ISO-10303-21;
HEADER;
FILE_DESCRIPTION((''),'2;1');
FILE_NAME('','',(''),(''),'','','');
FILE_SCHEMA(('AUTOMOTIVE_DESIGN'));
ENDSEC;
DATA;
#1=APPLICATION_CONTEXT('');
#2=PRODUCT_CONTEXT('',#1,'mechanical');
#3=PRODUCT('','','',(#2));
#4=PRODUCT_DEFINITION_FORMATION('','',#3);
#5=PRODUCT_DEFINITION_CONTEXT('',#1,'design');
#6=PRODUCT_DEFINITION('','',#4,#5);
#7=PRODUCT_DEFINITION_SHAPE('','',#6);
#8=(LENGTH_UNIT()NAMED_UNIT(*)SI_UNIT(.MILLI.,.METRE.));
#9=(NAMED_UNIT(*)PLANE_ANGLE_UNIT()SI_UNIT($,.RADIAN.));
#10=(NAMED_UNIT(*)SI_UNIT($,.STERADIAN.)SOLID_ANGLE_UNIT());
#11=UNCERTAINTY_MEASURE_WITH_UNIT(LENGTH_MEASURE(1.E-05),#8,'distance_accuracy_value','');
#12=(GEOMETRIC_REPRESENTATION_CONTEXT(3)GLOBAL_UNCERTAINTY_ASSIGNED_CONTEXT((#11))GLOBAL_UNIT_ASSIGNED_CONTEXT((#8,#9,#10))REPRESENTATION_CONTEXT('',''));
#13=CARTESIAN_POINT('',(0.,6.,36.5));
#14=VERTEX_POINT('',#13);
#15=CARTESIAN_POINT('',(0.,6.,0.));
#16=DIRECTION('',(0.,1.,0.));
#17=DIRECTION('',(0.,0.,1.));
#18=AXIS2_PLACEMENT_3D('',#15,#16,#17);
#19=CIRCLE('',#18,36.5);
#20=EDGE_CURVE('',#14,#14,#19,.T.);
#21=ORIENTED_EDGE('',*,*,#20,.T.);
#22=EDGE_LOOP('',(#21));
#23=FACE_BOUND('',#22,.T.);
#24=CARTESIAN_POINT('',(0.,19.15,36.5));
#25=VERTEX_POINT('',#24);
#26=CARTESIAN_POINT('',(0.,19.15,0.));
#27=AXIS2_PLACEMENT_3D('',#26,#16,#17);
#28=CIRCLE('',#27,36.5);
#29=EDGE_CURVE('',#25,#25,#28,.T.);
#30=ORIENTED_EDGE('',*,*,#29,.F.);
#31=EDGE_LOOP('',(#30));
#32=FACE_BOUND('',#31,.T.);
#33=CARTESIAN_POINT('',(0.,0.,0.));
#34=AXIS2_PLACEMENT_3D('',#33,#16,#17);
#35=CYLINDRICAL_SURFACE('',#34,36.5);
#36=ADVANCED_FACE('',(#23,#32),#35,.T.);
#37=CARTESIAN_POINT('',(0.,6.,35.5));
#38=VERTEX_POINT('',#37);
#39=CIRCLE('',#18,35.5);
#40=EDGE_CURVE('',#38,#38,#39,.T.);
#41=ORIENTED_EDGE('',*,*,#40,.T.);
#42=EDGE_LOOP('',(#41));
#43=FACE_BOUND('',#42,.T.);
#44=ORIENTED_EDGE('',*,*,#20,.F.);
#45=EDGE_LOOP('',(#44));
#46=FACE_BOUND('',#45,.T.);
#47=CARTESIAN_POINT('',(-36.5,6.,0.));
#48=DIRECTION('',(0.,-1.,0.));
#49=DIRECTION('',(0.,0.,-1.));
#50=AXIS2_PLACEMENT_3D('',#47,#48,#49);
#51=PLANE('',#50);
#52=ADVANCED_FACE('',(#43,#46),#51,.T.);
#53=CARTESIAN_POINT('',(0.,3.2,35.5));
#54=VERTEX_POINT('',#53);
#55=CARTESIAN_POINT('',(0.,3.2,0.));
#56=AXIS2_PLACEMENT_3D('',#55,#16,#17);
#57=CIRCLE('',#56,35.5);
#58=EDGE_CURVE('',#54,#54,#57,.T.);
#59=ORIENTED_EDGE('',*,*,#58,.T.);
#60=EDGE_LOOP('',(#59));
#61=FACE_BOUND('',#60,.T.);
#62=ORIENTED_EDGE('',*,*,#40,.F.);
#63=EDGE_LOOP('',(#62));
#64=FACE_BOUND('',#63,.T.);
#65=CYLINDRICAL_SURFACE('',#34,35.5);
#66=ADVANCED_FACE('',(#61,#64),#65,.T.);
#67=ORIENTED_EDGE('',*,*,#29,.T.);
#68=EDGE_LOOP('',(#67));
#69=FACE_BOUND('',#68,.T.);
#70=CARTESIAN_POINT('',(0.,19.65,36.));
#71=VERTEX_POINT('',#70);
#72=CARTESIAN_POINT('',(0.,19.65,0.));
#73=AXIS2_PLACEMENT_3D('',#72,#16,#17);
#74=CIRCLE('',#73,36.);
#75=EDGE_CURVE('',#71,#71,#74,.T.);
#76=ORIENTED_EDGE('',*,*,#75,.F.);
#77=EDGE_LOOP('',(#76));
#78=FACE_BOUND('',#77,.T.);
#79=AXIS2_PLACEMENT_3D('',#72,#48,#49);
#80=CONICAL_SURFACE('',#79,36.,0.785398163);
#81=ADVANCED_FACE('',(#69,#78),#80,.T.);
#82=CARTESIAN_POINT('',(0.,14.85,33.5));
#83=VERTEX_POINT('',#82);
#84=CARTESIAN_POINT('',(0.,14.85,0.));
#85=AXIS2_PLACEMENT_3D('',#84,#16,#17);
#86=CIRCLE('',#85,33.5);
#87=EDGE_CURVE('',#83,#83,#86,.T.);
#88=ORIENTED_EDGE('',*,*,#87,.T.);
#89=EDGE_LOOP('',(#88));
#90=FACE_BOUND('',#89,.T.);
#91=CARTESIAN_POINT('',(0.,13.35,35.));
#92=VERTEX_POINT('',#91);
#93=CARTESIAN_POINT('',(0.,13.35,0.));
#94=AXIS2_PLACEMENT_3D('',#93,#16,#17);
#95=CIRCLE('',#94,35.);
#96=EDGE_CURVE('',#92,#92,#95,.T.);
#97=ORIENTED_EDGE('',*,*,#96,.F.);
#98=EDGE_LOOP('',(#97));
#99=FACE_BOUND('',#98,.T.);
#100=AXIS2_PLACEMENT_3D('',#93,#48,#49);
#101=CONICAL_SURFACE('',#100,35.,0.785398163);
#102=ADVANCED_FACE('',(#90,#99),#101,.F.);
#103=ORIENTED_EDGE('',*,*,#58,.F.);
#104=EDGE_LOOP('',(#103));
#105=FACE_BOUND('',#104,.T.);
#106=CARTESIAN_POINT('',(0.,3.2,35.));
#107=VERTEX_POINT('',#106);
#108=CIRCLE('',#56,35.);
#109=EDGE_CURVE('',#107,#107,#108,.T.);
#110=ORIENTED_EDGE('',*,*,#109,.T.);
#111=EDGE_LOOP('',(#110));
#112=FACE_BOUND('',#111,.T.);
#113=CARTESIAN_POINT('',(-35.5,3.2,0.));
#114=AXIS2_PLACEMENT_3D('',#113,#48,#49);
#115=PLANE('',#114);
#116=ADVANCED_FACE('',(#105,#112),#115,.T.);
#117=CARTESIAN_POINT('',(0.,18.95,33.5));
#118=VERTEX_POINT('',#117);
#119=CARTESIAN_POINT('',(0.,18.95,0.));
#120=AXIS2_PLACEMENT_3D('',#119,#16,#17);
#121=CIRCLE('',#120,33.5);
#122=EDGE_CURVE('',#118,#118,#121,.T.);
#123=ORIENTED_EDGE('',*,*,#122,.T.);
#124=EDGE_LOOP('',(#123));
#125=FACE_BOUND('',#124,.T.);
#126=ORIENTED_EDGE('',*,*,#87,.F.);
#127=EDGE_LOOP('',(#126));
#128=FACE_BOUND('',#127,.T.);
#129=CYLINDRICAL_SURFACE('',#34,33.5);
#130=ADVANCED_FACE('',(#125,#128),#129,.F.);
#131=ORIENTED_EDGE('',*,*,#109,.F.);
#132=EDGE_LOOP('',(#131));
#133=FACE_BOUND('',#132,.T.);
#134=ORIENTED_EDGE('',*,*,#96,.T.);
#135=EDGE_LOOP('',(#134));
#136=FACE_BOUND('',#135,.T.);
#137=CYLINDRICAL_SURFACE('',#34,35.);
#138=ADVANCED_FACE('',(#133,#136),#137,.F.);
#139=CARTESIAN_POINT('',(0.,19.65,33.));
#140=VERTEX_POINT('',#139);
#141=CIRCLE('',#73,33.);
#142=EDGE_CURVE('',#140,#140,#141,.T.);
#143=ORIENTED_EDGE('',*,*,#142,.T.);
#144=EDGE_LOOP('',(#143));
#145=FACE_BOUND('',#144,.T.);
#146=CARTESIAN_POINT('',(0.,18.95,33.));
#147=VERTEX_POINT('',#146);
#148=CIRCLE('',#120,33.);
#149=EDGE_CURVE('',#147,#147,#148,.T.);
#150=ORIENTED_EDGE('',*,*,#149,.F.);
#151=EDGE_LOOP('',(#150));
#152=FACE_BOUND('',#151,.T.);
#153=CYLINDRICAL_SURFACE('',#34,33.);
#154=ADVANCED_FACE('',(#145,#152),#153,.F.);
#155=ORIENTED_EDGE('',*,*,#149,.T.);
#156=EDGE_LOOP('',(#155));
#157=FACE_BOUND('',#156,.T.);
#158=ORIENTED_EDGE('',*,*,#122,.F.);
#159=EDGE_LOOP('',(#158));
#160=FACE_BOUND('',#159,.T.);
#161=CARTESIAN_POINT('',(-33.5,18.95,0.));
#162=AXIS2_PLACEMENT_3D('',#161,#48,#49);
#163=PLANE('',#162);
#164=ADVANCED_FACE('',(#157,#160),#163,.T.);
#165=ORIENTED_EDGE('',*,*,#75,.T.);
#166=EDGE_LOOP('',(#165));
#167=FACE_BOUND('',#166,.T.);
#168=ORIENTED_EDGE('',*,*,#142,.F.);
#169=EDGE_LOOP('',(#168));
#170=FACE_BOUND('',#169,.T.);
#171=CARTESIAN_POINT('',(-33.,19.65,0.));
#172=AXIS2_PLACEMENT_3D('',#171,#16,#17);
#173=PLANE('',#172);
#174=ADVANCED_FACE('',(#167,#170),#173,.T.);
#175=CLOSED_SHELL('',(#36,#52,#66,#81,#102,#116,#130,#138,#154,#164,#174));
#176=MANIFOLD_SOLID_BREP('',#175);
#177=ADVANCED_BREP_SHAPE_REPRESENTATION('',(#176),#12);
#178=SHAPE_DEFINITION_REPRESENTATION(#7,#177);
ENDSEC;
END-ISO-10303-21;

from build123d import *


with BuildPart() as part:
    # Sketch1 → Revolve1 (revolve)
    with BuildSketch(Plane.XY):
        Polygon((-35, 3.2), (-35, 13.35), (-33.5, 14.85), (-33.5, 18.95), (-33, 18.95), (-33, 19.65), (-36, 19.65), (-36.5, 19.15), (-36.5, 6), (-35.5, 6), (-35.5, 3.2), align=None)
    revolve(axis=Axis((0, 0, 0), (0, -1, 0)))


solid = part.part
